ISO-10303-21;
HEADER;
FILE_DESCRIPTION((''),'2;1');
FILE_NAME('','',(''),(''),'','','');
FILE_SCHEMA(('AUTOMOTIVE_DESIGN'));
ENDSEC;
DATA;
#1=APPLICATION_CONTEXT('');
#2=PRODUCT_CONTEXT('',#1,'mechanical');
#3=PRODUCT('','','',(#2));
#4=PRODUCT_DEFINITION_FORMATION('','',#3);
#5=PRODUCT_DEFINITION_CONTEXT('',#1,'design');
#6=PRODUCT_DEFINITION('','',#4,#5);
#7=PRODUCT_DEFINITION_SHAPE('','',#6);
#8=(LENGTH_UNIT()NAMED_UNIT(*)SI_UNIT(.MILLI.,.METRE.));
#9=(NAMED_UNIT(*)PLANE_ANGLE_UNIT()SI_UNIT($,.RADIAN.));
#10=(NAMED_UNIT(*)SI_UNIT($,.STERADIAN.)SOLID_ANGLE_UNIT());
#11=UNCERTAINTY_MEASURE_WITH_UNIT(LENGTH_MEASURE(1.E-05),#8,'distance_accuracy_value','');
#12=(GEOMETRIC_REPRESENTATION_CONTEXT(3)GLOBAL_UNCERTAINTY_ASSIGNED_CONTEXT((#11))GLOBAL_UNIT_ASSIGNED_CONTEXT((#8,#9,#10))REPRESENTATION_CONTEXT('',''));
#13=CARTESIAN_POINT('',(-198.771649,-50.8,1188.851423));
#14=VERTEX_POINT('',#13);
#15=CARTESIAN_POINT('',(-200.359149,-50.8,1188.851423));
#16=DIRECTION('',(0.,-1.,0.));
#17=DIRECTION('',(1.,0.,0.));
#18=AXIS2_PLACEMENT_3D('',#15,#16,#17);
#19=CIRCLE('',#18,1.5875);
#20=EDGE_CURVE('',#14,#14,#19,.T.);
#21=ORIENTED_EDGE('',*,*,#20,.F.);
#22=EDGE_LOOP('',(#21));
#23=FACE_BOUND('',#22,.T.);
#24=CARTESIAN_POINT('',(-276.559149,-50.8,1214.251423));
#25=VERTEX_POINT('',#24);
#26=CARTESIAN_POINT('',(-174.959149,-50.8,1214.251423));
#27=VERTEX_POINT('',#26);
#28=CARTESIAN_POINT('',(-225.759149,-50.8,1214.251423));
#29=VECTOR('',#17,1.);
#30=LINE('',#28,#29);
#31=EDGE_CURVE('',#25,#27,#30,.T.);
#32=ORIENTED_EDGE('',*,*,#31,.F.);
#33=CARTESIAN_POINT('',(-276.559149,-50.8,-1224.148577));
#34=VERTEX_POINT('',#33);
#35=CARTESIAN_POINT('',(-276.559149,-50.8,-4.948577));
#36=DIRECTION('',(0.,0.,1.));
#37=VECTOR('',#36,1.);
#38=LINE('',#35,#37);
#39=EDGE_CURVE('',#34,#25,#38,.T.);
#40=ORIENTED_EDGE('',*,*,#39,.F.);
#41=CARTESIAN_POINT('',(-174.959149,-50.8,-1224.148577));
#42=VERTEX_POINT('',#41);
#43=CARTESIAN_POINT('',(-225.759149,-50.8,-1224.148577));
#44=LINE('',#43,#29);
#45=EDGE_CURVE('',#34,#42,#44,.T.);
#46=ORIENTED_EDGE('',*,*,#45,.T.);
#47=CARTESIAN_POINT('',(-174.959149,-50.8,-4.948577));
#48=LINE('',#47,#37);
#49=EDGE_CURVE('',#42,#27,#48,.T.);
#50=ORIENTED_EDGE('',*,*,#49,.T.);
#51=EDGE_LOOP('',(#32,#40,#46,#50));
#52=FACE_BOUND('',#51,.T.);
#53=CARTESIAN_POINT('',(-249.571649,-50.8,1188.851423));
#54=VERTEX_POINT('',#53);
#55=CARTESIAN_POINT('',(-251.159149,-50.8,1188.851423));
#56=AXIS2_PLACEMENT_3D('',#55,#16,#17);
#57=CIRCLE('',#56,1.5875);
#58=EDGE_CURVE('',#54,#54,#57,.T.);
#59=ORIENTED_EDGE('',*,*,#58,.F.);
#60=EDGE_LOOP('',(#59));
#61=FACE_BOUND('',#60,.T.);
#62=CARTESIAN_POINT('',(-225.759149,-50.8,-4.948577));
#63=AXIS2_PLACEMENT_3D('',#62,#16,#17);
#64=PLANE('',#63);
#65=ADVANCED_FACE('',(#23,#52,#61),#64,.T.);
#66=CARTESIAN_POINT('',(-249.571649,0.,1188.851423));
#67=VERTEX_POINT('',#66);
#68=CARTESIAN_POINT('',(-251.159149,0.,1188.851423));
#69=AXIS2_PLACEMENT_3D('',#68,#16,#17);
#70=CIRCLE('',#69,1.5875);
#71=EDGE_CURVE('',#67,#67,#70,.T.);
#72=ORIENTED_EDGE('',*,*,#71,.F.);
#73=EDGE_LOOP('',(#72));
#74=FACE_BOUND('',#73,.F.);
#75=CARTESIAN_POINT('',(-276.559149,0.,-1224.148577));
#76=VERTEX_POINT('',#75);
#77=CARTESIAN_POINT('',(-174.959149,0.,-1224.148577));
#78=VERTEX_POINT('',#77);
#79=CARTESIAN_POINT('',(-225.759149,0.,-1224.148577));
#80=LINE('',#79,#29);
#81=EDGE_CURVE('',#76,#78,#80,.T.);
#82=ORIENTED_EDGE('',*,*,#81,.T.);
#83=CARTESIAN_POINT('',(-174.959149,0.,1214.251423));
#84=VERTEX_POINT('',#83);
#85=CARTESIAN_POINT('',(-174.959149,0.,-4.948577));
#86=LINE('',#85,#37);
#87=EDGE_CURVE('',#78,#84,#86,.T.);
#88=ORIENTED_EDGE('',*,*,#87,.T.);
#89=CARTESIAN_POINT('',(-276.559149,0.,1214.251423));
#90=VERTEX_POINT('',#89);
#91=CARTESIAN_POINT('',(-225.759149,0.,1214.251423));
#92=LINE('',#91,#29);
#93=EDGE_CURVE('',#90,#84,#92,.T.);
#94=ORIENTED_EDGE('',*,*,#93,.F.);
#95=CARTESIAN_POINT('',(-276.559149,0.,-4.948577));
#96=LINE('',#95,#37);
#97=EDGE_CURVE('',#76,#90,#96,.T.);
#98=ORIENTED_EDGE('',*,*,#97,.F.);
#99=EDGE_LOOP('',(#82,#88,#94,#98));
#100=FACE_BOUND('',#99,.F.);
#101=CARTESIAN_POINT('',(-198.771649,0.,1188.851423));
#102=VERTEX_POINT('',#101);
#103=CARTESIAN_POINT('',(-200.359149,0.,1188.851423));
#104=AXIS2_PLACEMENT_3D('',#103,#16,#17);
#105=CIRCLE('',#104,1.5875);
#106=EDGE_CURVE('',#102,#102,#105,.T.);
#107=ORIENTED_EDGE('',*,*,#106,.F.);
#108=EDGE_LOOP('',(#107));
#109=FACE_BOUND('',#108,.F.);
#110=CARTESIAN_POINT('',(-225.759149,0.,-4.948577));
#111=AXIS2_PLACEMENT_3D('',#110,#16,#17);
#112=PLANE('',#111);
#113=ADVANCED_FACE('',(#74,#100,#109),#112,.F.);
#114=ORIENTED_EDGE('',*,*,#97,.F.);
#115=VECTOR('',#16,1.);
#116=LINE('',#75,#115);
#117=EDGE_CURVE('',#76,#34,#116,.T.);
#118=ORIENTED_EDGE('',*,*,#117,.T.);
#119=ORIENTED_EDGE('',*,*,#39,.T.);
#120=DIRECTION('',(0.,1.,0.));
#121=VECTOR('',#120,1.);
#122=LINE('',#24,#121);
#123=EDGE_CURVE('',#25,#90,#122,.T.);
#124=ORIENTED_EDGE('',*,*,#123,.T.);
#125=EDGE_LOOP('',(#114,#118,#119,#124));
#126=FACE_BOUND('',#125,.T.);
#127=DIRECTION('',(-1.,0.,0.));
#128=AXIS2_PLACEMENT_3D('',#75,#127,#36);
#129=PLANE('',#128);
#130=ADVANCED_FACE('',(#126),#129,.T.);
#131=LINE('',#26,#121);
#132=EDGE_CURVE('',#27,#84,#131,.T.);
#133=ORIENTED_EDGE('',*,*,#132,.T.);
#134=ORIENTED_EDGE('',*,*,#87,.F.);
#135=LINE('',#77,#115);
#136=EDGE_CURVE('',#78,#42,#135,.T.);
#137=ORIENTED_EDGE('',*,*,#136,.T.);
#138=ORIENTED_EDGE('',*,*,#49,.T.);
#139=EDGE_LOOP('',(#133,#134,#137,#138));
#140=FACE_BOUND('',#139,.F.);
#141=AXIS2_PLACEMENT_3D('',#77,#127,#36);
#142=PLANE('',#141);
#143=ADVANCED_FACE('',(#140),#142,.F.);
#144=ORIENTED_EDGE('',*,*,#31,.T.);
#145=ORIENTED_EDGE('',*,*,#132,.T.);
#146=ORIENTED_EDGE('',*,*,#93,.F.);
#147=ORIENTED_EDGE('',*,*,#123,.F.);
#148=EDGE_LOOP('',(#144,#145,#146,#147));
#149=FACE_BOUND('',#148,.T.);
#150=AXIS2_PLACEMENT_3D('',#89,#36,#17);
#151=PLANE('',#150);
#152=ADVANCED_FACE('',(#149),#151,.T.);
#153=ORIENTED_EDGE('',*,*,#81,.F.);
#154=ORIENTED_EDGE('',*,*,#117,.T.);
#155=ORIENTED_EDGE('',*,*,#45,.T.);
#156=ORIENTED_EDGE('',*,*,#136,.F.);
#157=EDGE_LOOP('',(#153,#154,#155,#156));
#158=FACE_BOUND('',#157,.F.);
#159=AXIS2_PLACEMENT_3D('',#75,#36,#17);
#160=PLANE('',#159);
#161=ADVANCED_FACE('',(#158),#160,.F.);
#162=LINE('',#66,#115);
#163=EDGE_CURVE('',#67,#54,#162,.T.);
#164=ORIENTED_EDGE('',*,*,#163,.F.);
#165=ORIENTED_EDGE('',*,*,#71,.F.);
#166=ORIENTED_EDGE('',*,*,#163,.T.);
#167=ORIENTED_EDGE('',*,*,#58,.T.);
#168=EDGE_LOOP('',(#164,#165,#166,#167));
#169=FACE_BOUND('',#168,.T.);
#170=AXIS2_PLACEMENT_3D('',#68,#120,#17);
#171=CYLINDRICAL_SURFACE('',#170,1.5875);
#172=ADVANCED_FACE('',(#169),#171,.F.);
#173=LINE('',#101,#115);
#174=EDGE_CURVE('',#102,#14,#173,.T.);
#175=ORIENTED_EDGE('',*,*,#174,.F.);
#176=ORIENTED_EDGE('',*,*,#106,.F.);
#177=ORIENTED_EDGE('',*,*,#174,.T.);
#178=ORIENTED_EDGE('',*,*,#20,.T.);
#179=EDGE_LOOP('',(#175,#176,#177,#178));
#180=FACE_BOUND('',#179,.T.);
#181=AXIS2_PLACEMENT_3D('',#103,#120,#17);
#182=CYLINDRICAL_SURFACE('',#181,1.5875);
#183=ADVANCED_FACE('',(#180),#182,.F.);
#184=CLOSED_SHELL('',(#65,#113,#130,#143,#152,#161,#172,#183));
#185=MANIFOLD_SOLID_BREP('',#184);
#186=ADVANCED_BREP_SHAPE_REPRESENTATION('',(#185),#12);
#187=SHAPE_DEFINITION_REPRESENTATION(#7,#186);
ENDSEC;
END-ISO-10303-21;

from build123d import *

# Parameters (mm, degrees)
F0_W     = 101.6
F0_H     = 2438.4
F0_R     = 1.5875
F1_DEPTH = 50.8
F2_DEPTH = 25.4


with BuildPart() as f1:
    # F0 (on Front) → F1 (new body)
    with BuildSketch(Plane.XZ):
        with Locations((-225.759149, -4.948577)):
            Rectangle(F0_W, F0_H)
        with Locations((-251.159149, 1188.851423)):
            Circle(F0_R, mode=Mode.SUBTRACT)
        with Locations((-200.359149, 1188.851423)):
            Circle(F0_R, mode=Mode.SUBTRACT)
    extrude(amount=F1_DEPTH)

    # F0 (on Front) → F2 (join)
    with BuildSketch(Plane.XZ):
        with Locations((-225.759149, -4.948577)):
            Rectangle(F0_W, F0_H)
        with Locations((-251.159149, 1188.851423)):
            Circle(F0_R, mode=Mode.SUBTRACT)
        with Locations((-200.359149, 1188.851423)):
            Circle(F0_R, mode=Mode.SUBTRACT)
    extrude(amount=F2_DEPTH)


solid = f1.part
